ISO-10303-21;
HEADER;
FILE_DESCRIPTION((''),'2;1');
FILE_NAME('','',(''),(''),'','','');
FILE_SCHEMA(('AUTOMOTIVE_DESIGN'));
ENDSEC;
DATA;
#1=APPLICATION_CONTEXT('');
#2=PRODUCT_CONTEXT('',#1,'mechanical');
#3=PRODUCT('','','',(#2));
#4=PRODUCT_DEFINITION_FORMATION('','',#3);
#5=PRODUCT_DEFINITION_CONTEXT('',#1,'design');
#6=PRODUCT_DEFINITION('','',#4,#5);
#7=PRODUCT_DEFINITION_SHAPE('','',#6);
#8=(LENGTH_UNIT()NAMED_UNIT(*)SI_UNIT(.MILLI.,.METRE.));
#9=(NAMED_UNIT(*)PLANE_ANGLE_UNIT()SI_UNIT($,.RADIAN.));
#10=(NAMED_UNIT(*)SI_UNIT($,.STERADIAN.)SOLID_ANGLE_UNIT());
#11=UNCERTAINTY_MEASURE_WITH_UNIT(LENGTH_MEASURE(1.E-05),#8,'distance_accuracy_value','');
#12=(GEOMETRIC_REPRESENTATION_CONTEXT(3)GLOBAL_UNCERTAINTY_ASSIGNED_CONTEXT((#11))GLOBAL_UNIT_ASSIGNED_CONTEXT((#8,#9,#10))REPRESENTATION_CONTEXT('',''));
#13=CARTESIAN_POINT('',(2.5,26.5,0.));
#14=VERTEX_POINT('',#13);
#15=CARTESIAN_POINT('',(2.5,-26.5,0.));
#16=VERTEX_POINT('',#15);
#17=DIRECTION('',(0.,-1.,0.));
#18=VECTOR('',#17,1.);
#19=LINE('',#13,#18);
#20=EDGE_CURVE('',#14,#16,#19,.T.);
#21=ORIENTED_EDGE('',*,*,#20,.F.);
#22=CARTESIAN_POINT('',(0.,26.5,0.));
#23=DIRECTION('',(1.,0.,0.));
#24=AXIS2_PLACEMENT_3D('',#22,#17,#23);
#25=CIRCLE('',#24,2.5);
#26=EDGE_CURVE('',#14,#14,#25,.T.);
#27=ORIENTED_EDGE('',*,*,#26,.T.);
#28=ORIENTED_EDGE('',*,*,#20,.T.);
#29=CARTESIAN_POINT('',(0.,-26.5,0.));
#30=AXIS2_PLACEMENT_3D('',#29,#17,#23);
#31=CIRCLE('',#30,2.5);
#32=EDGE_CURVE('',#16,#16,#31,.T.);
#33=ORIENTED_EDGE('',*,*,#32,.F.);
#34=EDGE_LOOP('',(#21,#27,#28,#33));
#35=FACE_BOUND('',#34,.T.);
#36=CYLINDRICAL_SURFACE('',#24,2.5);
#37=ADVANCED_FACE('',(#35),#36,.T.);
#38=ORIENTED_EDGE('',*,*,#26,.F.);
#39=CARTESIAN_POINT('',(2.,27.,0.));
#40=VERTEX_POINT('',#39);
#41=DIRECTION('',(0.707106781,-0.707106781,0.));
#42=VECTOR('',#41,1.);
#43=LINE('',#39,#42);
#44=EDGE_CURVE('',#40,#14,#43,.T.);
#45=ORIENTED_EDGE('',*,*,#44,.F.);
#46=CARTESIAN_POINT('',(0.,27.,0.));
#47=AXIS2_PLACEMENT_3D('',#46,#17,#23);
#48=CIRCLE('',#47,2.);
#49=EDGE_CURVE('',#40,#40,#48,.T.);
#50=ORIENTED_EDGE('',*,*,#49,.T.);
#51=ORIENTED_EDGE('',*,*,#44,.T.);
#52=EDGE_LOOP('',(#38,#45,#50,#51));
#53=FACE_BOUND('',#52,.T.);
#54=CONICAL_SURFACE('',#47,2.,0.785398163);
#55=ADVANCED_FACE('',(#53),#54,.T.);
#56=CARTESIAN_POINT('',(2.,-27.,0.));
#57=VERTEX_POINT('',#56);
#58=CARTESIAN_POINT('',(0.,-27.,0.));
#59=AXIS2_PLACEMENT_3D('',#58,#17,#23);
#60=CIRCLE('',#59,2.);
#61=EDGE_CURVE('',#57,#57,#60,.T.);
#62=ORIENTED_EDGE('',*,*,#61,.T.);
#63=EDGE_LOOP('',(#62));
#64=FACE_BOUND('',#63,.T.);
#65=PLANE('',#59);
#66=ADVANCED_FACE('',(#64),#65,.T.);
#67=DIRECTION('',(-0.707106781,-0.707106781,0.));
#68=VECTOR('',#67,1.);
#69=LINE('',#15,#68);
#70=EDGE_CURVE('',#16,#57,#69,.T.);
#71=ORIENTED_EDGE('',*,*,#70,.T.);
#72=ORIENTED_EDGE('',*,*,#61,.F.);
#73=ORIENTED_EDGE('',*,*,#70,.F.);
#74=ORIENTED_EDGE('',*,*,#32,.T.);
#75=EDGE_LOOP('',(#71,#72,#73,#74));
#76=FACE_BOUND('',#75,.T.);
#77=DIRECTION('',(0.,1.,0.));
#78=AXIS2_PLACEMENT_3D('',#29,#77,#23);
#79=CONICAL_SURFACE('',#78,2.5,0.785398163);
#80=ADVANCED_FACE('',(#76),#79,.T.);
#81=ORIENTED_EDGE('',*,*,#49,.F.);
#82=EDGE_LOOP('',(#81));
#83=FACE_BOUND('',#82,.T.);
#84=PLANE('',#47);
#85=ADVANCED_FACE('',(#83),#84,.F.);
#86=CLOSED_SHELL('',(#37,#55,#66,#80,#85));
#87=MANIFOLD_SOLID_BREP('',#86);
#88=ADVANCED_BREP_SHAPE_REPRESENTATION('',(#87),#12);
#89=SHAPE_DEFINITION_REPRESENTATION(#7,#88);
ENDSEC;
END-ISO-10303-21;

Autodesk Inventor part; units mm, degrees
sketch "Sketch_1" plane through (0, 0, 0) normal (0, 0, 1) x (1, 0, 0)
  line L0 (0, -27) -> (0, 27)
  line L1 (0, 27) -> (2, 27)
  line L2 (2, 27) -> (2.5, 26.5)
  line L3 (2.5, 26.5) -> (2.5, -26.5)
  line L4 (2.5, -26.5) -> (2, -27)
  line L5 (2, -27) -> (0, -27)
  line L6 (0, -27) -> (0, 27)
revolve "Revolution1" add sketch "Sketch_1" angle 360 about axis through (0, -27, 0) along (0, -1, 0)
ref_plane "cp_XY" through (0, 0, 0) normal (0, -1, 0) x (1, 0, 0)
ref_plane "cp_YZ" through (0, 0, 0) normal (1, 0, 0) x (0, 0, 1)
ref_plane "cp_ZX" through (0, 0, 0) normal (0, 0, 1) x (0, -1, 0)
properties part number "HHPMGS5pin"
